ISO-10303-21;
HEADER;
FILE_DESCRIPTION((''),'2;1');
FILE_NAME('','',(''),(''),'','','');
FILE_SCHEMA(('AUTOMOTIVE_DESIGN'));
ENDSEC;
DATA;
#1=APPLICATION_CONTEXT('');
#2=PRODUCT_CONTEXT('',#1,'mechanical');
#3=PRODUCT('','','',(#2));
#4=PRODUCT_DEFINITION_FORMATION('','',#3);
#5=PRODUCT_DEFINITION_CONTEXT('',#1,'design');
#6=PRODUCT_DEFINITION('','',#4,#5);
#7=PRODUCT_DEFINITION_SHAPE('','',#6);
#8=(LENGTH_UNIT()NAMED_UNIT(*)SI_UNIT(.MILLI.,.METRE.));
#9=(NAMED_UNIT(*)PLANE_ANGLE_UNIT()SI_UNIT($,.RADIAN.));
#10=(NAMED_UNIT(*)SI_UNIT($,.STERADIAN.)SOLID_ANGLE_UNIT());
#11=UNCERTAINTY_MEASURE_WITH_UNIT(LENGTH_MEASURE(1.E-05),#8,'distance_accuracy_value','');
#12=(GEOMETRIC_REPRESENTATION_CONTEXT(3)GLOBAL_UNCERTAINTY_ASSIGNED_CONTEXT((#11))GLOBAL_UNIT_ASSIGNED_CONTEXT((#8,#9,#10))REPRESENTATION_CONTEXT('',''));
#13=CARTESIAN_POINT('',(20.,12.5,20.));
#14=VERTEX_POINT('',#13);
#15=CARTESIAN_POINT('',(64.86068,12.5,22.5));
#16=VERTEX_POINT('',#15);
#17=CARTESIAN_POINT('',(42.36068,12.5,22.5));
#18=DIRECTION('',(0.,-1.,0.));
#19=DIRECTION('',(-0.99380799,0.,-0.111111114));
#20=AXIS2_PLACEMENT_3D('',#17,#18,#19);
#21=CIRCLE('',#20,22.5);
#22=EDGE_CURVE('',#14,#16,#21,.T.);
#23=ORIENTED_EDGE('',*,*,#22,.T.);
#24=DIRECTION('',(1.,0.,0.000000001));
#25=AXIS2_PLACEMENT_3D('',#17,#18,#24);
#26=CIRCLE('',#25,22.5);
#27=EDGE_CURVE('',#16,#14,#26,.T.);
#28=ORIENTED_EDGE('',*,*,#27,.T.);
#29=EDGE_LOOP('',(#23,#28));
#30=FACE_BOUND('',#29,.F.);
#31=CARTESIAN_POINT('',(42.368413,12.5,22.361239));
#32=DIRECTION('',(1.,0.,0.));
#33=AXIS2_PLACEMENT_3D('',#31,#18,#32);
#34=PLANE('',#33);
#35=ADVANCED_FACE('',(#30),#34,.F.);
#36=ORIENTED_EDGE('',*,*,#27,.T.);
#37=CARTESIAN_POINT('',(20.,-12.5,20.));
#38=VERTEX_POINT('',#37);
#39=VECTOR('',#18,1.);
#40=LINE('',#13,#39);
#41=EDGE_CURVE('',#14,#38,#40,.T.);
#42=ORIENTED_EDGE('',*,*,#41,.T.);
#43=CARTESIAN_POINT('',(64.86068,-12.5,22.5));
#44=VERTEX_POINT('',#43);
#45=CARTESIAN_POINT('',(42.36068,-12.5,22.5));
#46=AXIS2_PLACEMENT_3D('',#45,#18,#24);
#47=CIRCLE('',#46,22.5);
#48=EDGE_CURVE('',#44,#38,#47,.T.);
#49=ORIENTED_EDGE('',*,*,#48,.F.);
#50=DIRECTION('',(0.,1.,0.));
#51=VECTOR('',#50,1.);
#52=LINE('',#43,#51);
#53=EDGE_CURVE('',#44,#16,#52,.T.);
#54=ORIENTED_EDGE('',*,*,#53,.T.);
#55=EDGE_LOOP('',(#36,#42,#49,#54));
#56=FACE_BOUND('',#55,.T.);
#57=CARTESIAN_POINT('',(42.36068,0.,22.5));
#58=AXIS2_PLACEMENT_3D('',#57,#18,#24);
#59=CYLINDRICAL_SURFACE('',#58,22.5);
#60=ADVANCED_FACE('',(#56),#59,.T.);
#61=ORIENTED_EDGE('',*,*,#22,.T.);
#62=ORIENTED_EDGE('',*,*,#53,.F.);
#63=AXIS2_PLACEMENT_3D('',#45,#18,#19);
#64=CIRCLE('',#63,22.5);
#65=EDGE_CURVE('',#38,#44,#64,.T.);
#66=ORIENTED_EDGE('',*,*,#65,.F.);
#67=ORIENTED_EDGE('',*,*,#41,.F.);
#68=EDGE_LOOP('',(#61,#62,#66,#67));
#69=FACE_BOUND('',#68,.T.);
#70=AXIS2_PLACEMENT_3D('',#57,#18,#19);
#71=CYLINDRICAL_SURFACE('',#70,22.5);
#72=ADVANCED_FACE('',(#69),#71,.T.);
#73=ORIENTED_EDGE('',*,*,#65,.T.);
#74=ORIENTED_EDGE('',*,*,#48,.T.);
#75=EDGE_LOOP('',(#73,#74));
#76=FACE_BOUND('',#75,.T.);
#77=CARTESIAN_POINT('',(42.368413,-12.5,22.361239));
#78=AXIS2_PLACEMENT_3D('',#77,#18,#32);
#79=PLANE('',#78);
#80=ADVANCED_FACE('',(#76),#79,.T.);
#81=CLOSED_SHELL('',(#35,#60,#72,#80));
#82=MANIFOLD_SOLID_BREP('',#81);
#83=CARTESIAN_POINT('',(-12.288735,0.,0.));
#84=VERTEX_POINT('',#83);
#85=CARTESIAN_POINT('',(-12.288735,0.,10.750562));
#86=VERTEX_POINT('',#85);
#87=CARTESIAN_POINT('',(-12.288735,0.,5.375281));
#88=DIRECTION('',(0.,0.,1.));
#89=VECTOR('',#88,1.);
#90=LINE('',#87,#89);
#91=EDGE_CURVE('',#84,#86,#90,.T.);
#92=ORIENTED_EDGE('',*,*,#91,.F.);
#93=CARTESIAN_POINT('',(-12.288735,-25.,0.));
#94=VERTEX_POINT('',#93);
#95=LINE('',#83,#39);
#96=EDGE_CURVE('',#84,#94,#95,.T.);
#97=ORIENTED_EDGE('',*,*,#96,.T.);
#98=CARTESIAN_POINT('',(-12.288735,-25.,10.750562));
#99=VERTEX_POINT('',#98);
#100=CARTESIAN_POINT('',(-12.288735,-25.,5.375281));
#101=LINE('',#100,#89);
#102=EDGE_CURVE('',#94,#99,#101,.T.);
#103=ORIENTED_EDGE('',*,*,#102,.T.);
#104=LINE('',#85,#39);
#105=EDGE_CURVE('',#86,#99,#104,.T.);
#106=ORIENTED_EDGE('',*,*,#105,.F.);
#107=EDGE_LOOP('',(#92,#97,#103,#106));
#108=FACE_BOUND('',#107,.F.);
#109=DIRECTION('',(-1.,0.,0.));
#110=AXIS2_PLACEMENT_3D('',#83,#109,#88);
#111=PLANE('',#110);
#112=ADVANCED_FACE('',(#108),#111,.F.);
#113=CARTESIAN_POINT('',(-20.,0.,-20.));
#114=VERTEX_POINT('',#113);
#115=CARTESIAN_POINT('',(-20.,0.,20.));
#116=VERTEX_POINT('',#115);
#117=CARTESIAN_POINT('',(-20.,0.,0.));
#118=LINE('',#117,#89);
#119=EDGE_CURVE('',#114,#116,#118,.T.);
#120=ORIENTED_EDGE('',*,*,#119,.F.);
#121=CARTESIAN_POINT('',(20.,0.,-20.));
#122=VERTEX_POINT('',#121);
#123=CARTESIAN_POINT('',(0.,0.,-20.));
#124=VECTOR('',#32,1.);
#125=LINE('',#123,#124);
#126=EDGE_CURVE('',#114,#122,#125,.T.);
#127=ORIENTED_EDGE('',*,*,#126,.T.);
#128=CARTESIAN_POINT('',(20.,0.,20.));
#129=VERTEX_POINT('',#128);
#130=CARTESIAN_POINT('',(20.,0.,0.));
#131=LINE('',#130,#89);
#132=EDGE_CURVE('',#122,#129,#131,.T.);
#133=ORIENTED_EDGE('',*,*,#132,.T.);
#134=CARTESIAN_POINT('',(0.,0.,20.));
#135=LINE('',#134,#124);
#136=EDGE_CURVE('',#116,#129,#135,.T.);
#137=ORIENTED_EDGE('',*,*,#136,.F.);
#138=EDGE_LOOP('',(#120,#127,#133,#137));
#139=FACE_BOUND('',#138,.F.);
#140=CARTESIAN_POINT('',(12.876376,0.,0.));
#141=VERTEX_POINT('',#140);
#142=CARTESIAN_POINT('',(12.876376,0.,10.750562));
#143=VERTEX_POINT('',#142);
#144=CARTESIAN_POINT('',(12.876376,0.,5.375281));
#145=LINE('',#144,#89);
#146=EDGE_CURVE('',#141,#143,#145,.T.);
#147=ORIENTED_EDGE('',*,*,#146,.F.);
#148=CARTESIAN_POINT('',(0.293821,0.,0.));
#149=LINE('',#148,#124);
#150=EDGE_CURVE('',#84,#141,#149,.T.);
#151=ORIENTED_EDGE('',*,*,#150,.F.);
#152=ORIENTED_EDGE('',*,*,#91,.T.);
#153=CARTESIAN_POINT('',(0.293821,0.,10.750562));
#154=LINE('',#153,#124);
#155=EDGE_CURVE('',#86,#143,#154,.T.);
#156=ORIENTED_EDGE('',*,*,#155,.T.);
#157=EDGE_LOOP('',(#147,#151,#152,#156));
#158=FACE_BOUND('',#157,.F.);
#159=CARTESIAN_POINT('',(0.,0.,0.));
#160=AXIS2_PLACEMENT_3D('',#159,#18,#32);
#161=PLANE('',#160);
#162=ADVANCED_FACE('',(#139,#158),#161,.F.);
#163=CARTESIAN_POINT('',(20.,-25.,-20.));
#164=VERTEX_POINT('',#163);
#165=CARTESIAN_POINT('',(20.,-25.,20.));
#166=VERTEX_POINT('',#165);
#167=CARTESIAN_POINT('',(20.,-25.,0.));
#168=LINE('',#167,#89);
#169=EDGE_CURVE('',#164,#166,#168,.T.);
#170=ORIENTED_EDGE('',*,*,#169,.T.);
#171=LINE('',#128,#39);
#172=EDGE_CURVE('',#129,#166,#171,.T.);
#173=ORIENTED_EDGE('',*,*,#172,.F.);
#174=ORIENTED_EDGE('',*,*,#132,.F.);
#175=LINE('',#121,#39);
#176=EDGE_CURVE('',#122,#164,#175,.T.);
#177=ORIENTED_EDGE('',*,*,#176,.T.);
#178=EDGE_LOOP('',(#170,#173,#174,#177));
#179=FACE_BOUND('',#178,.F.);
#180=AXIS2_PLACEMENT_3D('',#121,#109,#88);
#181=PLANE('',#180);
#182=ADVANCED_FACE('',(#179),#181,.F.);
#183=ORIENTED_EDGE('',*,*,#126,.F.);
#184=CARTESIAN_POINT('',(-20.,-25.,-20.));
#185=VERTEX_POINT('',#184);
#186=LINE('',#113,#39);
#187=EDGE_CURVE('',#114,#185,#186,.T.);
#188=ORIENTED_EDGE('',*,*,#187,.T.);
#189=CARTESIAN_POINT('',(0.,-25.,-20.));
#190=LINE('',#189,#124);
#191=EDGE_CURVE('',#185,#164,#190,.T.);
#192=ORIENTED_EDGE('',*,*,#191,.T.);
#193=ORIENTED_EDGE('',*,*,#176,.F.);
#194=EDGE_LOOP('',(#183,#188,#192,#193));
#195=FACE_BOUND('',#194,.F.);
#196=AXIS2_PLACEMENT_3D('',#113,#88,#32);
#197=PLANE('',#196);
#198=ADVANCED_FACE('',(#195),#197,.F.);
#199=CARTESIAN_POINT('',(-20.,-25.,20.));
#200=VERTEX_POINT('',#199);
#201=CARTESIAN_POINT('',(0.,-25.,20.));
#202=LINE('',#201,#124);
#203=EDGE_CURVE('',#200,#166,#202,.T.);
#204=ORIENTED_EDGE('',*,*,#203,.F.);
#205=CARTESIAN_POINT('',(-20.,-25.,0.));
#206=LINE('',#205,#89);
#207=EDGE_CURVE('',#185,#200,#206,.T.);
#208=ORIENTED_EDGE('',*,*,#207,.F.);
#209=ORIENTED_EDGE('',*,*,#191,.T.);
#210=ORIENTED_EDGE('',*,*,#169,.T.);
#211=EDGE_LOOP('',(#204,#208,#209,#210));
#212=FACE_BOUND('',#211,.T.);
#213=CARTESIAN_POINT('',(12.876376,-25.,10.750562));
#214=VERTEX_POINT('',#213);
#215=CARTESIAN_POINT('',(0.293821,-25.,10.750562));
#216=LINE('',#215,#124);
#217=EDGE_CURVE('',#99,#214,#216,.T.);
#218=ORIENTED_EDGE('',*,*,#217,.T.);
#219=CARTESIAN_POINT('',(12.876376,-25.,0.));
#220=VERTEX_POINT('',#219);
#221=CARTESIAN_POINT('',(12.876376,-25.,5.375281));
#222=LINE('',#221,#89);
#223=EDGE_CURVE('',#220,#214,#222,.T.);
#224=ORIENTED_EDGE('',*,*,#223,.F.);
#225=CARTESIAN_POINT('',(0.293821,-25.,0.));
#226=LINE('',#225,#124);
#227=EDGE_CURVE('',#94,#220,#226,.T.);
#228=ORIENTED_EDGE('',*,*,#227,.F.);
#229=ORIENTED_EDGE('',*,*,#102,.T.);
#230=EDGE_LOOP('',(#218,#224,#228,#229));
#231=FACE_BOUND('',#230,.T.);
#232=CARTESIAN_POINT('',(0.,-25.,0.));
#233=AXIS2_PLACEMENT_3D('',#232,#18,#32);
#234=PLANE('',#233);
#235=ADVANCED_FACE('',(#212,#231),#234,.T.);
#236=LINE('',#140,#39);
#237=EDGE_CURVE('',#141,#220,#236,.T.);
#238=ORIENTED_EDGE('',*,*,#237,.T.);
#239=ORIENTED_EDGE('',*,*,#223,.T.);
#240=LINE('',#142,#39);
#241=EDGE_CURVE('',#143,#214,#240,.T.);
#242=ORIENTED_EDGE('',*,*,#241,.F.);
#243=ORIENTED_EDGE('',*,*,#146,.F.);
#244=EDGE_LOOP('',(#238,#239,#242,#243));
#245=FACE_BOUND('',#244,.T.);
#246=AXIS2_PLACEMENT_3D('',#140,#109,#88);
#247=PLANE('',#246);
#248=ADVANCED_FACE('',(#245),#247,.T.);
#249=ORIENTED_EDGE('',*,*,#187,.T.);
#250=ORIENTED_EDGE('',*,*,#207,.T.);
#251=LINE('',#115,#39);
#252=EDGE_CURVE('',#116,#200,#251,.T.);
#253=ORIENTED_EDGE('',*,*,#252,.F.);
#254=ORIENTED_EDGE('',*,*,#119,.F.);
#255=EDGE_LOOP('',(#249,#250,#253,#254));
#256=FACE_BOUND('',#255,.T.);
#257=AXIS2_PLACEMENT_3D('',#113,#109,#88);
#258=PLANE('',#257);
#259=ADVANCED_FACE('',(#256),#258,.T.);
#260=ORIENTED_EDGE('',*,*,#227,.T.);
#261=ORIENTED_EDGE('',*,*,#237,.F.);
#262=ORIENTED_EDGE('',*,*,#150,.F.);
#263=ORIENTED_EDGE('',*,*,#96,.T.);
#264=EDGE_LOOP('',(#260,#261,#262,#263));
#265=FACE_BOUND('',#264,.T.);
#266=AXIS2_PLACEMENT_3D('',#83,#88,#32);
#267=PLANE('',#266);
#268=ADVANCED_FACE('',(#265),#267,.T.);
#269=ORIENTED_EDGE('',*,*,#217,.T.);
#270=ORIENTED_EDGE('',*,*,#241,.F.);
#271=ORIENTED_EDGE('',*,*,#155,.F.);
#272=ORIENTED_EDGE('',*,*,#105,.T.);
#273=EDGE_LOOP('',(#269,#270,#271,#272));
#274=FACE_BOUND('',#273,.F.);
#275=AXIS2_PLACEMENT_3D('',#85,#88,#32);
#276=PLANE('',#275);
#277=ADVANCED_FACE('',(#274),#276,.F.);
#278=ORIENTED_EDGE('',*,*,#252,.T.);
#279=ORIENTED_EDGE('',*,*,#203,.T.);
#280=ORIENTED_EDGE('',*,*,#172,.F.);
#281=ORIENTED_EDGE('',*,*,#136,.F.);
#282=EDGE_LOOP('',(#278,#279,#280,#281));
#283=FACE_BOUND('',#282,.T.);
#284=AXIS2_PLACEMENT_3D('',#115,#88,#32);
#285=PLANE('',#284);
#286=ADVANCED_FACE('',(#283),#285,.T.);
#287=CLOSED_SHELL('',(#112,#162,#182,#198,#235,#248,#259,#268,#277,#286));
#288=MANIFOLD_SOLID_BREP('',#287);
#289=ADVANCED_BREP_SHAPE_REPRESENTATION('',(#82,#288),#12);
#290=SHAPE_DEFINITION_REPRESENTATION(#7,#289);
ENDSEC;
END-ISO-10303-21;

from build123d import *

# Parameters (mm, degrees)
F0_W     = 40
F0_H     = 40
F0_W_2   = 25.165111
F0_H_2   = 10.750562
F1_DEPTH = 25
F2_DEPTH = 12.5


with BuildPart() as f1:
    # F0 (on Front) → F1 (new body)
    with BuildSketch(Plane.XZ):
        Rectangle(F0_W, F0_H)
        with Locations((0.293821, 5.375281)):
            Rectangle(F0_W_2, F0_H_2, mode=Mode.SUBTRACT)
    extrude(amount=F1_DEPTH)


with BuildPart() as f2:
    # F0 (on Front) → F2 (new body, symmetric)
    with BuildSketch(Plane.XZ):
        with BuildLine():
            ThreePointArc((64.86068, 22.5), (41.10874, 44.965143), (20, 20))
            ThreePointArc((20, 20), (43.612619, 0.034857), (64.86068, 22.5))
        make_face()
    extrude(amount=F2_DEPTH, both=True)


solid = Compound([f1.part, f2.part])
